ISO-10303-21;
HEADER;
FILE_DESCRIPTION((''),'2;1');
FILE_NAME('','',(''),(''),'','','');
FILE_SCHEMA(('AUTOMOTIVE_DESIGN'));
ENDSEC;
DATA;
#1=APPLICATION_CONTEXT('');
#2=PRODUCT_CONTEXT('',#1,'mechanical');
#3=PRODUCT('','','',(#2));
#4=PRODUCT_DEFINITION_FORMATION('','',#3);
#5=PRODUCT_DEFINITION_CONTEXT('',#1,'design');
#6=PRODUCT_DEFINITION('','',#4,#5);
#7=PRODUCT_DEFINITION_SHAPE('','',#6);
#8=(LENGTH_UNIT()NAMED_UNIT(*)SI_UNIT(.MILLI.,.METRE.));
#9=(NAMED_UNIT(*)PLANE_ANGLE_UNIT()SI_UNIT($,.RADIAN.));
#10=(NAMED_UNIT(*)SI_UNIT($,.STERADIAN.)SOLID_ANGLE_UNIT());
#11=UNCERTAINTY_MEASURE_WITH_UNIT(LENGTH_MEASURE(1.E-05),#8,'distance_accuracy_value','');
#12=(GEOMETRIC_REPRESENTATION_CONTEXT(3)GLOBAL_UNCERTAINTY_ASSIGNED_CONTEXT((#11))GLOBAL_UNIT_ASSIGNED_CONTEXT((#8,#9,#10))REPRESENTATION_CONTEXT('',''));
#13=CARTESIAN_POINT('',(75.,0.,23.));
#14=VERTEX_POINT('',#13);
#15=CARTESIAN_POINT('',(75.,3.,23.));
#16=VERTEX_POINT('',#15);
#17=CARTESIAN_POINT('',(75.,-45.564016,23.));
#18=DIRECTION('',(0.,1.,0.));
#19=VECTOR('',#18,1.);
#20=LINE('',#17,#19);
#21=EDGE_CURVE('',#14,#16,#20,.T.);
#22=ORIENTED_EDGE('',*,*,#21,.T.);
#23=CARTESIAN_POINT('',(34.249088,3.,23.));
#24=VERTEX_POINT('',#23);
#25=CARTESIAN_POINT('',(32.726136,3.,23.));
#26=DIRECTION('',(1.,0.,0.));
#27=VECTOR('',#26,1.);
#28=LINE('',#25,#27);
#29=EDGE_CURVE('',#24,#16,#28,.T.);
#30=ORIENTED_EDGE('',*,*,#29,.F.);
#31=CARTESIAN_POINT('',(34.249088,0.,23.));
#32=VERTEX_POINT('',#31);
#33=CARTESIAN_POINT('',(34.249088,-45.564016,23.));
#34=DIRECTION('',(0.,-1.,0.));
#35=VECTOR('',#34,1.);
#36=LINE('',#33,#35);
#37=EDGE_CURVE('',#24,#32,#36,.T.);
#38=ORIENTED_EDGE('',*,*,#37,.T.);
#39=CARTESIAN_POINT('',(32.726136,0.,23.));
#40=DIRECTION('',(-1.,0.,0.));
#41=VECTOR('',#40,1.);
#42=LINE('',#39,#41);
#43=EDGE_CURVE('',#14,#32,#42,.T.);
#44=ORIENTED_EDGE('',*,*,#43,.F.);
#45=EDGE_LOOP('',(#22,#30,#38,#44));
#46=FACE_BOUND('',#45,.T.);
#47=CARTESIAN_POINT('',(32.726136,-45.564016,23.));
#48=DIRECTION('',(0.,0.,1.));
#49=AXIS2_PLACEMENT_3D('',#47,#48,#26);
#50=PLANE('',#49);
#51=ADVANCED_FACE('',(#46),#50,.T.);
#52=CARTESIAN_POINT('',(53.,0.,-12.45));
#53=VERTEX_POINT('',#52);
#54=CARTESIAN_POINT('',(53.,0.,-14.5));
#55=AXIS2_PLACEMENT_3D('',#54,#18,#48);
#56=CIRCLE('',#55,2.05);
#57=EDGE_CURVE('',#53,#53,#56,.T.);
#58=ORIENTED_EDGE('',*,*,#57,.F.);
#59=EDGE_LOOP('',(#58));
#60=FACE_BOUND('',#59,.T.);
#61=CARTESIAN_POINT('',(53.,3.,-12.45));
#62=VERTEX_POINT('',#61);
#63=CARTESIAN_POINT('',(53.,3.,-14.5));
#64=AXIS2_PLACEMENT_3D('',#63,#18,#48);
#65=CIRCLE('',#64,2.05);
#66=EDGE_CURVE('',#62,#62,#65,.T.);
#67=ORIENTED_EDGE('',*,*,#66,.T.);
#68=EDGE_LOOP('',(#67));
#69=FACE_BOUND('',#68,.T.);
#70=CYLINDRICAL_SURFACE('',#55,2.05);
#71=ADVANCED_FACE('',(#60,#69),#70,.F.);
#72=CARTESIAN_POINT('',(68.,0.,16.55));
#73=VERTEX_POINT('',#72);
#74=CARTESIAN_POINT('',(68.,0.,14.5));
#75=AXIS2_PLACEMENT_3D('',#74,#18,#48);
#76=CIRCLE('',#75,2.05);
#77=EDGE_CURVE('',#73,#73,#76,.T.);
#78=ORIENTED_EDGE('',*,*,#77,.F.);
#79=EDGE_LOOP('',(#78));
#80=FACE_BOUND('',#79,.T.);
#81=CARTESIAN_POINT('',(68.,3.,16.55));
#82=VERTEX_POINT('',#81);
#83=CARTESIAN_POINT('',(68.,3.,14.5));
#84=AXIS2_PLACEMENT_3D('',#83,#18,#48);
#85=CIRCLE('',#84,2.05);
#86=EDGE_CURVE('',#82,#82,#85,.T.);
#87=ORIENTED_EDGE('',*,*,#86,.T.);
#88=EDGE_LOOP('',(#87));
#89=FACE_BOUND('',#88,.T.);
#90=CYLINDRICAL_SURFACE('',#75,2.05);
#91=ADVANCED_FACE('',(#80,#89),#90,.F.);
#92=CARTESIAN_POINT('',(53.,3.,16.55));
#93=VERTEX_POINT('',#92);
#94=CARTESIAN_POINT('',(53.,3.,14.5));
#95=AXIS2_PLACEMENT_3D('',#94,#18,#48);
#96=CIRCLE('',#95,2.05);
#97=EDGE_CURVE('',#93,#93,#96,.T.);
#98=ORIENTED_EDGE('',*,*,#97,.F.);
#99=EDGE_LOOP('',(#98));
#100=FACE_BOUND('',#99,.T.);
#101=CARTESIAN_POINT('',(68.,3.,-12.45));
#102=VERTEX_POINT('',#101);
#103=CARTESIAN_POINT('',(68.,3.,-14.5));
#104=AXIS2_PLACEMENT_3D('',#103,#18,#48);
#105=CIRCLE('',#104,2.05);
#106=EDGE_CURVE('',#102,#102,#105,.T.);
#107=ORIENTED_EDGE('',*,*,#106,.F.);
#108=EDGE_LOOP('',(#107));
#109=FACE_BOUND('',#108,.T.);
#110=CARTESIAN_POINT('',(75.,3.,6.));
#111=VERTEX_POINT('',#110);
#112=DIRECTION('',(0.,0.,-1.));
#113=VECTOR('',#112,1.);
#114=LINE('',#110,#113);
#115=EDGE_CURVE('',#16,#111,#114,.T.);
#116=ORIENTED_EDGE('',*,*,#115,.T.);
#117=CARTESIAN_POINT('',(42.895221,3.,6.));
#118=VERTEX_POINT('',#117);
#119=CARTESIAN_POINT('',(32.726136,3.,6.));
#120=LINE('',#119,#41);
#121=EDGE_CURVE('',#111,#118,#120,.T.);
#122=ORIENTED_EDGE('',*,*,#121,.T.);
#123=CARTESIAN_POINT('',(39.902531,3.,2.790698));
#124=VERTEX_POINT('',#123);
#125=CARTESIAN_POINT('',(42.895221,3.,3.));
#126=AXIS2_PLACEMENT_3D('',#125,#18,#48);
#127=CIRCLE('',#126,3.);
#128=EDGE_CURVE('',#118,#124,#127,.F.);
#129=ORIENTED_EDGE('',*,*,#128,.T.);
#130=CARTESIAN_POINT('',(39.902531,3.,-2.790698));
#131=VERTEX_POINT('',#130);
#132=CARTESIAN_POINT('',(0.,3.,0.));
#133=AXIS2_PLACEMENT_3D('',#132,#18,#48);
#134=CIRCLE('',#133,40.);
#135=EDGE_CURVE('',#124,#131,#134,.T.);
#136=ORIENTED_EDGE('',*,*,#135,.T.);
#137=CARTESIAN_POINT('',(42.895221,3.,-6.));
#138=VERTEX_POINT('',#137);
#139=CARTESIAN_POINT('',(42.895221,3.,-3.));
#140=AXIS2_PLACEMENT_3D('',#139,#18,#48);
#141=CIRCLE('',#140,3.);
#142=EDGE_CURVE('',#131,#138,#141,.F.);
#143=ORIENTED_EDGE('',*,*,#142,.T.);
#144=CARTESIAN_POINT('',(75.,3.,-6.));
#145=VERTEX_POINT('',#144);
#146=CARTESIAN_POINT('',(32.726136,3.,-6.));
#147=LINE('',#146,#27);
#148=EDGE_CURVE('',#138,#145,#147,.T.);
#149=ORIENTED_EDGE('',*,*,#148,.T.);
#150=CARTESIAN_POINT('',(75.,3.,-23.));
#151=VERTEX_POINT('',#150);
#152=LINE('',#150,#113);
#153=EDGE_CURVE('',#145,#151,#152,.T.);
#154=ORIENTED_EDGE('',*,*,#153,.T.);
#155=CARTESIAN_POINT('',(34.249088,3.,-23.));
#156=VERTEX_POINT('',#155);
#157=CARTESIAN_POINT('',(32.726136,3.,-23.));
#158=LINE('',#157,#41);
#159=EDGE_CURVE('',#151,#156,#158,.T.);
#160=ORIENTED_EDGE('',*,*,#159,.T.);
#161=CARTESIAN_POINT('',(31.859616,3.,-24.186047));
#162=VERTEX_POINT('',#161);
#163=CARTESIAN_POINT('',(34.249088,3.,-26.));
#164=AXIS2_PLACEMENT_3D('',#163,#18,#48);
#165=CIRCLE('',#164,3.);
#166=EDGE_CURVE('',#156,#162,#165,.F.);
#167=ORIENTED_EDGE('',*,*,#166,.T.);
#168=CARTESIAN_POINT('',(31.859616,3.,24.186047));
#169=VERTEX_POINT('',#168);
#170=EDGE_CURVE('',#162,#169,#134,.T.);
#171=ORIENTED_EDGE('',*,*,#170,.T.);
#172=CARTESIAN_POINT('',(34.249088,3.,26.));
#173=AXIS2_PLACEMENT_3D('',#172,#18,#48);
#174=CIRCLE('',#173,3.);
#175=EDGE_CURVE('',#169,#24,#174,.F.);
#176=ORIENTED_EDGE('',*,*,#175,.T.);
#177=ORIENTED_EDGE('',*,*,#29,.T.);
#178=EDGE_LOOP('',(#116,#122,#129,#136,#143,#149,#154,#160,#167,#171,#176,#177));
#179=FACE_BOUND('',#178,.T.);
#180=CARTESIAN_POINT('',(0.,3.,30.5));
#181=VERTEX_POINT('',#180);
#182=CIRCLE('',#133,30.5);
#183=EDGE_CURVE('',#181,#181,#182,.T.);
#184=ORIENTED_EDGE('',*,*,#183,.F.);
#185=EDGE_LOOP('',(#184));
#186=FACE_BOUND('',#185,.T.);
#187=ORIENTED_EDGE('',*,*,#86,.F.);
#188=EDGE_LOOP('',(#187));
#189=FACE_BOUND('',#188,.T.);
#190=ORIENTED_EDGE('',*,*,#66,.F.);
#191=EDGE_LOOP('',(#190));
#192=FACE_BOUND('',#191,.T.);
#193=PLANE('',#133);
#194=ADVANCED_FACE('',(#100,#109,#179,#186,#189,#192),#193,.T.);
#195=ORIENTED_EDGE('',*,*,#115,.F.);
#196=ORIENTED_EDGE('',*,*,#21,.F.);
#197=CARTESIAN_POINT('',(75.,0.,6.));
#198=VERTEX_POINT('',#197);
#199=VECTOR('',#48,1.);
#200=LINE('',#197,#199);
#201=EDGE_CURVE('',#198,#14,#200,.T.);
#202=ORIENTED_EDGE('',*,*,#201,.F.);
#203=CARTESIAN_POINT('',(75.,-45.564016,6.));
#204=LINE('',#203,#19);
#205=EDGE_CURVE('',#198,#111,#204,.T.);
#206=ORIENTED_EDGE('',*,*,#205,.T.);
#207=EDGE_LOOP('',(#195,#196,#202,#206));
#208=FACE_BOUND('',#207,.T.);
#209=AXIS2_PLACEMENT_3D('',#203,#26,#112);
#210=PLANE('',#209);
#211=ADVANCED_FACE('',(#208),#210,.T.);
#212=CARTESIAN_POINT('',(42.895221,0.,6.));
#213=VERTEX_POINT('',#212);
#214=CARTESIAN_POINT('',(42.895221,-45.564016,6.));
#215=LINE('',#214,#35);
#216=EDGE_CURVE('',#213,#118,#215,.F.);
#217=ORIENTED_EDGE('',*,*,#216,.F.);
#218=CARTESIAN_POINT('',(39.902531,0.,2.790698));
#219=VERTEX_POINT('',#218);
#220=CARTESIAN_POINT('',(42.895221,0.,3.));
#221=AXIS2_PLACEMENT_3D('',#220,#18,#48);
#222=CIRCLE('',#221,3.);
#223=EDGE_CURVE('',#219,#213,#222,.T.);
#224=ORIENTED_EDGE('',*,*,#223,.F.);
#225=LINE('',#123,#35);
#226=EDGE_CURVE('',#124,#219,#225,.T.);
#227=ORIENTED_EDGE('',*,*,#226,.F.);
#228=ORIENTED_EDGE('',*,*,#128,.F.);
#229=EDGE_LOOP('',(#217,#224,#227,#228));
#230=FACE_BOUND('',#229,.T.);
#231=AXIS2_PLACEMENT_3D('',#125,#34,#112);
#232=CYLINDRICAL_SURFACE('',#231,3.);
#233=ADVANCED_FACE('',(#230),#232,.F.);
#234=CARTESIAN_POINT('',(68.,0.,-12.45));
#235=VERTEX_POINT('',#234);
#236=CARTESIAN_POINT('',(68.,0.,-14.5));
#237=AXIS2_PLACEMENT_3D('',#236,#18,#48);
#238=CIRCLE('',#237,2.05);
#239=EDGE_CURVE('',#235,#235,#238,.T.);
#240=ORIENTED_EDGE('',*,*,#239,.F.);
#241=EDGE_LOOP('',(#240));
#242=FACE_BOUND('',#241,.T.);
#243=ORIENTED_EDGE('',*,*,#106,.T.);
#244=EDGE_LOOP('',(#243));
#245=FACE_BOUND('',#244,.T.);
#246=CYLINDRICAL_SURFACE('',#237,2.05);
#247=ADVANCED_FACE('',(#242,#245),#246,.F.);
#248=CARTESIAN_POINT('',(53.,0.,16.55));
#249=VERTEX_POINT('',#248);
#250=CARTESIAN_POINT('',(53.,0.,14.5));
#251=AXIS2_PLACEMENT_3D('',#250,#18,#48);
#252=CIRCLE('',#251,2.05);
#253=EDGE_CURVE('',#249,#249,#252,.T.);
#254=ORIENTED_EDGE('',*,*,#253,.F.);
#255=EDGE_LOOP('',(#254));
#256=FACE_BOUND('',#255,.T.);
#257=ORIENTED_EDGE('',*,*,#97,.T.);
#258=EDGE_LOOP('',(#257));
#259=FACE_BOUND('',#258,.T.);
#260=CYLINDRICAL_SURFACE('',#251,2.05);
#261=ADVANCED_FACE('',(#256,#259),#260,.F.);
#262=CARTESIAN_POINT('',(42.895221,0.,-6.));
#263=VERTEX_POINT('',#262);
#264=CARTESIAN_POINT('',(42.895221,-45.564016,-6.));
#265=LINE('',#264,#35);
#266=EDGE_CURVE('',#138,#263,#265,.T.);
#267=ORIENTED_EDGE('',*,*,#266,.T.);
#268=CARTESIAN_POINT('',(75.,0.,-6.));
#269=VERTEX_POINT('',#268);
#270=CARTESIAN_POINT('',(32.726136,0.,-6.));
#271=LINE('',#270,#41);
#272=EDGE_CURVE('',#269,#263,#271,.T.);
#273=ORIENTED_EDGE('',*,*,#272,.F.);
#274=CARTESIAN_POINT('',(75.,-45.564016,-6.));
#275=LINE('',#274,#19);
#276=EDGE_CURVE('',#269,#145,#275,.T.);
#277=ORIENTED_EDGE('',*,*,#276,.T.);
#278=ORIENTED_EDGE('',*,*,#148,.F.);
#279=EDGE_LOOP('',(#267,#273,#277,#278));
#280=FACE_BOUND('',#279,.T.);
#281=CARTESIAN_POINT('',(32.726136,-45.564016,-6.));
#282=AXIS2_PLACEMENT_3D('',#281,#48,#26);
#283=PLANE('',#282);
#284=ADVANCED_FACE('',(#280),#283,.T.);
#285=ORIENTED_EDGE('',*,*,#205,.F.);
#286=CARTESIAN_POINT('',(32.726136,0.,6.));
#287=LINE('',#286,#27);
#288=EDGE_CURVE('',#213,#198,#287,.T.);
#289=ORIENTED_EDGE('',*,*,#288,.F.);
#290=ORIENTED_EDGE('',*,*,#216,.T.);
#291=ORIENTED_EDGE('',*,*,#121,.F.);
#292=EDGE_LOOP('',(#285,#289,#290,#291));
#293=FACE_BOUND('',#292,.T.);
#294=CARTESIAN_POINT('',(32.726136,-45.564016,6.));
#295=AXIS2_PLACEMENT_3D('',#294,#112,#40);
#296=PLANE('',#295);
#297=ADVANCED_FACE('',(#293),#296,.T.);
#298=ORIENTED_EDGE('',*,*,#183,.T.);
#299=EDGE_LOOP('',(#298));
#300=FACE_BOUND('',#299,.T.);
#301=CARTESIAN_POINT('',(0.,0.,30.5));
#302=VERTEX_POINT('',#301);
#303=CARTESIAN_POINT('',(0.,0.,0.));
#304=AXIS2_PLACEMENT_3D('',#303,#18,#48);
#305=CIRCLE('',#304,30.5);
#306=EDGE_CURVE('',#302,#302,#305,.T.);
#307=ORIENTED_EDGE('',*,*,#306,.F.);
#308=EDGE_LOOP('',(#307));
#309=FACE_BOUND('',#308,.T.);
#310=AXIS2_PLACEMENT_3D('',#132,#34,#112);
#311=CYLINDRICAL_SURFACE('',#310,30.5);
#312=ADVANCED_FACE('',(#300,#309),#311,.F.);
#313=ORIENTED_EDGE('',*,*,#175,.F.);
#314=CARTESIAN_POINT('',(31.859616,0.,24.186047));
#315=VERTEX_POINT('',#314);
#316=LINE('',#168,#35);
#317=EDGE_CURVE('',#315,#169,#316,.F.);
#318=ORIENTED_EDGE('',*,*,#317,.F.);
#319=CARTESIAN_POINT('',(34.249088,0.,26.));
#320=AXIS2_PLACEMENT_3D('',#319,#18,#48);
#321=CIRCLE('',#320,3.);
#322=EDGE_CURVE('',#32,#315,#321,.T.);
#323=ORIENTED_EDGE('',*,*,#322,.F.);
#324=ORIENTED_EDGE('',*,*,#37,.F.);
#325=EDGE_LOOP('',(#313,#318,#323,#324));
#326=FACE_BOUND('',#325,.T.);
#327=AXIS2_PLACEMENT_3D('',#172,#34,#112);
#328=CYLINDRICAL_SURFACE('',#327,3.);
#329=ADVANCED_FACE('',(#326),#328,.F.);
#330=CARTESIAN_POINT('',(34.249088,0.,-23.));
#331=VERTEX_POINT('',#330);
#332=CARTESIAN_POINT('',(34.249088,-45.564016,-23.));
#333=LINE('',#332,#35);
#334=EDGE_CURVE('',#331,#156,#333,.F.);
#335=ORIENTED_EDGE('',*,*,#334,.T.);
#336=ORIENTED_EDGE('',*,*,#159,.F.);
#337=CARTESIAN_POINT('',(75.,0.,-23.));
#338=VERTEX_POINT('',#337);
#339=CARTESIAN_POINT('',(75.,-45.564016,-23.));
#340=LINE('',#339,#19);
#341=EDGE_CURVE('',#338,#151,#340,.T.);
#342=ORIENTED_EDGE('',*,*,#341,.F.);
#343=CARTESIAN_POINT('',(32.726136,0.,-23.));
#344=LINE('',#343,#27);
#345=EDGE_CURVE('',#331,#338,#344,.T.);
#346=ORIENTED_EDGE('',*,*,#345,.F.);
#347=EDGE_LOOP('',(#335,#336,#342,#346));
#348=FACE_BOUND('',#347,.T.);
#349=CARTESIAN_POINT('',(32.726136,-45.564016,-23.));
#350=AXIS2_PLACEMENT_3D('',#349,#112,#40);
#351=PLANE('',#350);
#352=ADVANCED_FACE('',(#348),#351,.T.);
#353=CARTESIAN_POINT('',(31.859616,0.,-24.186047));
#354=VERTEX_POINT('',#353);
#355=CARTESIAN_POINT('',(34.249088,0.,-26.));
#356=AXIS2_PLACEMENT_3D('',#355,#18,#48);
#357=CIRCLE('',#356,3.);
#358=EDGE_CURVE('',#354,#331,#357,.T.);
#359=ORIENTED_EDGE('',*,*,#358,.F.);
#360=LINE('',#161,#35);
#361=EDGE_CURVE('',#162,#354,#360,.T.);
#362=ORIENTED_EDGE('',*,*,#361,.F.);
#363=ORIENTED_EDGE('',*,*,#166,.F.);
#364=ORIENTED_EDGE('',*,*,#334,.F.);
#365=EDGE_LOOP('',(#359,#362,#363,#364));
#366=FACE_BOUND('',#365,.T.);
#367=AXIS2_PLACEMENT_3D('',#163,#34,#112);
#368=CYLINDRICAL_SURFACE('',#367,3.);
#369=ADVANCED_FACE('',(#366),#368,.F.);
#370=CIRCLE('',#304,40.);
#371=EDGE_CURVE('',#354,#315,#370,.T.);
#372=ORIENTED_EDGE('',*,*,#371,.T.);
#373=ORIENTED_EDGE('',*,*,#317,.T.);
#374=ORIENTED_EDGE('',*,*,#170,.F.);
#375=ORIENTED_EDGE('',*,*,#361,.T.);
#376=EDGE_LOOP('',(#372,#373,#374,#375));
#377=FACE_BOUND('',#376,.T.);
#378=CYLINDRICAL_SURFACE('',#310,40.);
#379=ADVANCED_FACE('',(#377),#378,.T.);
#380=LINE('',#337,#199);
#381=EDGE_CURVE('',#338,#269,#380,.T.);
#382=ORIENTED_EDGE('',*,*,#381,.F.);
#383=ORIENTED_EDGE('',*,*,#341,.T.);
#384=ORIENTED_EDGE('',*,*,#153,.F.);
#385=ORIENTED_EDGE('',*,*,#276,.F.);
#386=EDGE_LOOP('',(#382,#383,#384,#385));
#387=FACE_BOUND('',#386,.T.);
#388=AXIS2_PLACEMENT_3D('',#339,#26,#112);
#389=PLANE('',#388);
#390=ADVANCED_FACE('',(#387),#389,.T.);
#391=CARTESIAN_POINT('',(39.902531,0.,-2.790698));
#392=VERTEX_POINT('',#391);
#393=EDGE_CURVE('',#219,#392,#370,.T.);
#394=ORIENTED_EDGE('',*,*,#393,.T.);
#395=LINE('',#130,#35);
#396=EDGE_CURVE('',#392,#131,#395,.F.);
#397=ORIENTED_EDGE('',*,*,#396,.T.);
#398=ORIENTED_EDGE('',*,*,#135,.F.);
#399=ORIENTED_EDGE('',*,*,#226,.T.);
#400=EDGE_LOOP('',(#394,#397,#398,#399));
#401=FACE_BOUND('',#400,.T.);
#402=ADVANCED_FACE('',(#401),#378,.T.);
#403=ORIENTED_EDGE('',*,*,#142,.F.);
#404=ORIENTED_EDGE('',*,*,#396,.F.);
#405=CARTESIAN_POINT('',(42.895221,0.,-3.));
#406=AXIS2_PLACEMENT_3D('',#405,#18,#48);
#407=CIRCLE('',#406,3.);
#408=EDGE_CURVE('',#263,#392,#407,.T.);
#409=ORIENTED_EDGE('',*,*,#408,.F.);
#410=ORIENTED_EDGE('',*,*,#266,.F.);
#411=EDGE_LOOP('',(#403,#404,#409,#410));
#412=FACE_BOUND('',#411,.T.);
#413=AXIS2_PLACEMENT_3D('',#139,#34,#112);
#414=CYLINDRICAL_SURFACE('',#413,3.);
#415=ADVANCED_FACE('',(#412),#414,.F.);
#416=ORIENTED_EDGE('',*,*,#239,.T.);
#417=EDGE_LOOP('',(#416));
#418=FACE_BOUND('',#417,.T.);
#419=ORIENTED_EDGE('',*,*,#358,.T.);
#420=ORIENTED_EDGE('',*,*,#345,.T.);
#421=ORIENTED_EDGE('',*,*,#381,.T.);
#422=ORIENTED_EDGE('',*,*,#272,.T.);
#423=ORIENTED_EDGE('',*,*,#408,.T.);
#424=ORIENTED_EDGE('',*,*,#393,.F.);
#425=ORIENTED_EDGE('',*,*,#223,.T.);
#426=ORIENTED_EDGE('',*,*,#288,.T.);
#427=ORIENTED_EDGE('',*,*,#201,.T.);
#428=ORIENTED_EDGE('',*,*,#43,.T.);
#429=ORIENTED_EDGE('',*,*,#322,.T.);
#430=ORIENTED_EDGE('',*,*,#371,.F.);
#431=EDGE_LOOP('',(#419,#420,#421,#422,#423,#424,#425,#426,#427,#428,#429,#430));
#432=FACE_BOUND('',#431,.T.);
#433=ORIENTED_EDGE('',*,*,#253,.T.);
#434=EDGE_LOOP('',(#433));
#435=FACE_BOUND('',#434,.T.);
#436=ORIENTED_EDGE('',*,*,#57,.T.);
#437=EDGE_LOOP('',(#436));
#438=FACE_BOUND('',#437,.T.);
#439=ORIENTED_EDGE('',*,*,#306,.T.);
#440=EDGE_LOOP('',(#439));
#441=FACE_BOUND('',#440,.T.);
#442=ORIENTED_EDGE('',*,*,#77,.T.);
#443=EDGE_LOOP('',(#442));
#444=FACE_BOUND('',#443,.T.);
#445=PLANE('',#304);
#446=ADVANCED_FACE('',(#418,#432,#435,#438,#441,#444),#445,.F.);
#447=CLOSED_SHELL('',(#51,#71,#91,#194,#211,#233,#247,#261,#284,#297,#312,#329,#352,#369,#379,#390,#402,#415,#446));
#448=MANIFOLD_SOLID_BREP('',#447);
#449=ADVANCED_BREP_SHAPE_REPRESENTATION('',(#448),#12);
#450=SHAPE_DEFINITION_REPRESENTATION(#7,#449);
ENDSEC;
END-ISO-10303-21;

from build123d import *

# Parameters (mm, degrees)
SKETCH1_R           = 40
SKETCH1_R_2         = 30.5
BOSS_EXTRUDE1_DEPTH = 3
SKETCH2_W           = 42.273863656
SKETCH2_H           = 17
BOSS_EXTRUDE2_DEPTH = 3
SKETCH3_R           = 2.05
CUT_EXTRUDE1_DEPTH  = 4
FILLET1_R           = 3


with BuildPart() as part:
    # Sketch1 → Boss-Extrude1 (new body)
    with BuildSketch(Plane(origin=(0, 0, 0), x_dir=(1, 0, 0), z_dir=(0, 1, 0))):
        Circle(SKETCH1_R)
        Circle(SKETCH1_R_2, mode=Mode.SUBTRACT)
    extrude(amount=BOSS_EXTRUDE1_DEPTH)

    # Sketch2 → Boss-Extrude2 (add)
    with BuildSketch(Plane(origin=(0, 3, 0), x_dir=(1, 0, 0), z_dir=(0, 1, 0))):
        with Locations((53.863068172, 14.5)):
            Rectangle(SKETCH2_W, SKETCH2_H)
        with Locations((53.863068172, -14.5)):
            Rectangle(SKETCH2_W, SKETCH2_H)
    extrude(amount=-BOSS_EXTRUDE2_DEPTH)

    # Sketch3 → Cut-Extrude1 (cut, through all)
    with BuildSketch(Plane(origin=(0, 3, 0), x_dir=(1, 0, 0), z_dir=(0, 1, 0))):
        with Locations((53, 14.5)):
            Circle(SKETCH3_R)
        with Locations((68, 14.5)):
            Circle(SKETCH3_R)
        with Locations((53, -14.5)):
            Circle(SKETCH3_R)
        with Locations((68, -14.5)):
            Circle(SKETCH3_R)
    extrude(amount=-CUT_EXTRUDE1_DEPTH, mode=Mode.SUBTRACT)

    # Fillet1
    fillet1_edges = [part.edges().sort_by_distance(p)[0] for p in [
        (39.547439867, 1.5, -6),
        (32.726136344, 1.5, -23),
        (39.547439867, 1.5, 6),
        (32.726136344, 1.5, 23),
    ]]
    fillet(fillet1_edges, radius=FILLET1_R)


solid = part.part
